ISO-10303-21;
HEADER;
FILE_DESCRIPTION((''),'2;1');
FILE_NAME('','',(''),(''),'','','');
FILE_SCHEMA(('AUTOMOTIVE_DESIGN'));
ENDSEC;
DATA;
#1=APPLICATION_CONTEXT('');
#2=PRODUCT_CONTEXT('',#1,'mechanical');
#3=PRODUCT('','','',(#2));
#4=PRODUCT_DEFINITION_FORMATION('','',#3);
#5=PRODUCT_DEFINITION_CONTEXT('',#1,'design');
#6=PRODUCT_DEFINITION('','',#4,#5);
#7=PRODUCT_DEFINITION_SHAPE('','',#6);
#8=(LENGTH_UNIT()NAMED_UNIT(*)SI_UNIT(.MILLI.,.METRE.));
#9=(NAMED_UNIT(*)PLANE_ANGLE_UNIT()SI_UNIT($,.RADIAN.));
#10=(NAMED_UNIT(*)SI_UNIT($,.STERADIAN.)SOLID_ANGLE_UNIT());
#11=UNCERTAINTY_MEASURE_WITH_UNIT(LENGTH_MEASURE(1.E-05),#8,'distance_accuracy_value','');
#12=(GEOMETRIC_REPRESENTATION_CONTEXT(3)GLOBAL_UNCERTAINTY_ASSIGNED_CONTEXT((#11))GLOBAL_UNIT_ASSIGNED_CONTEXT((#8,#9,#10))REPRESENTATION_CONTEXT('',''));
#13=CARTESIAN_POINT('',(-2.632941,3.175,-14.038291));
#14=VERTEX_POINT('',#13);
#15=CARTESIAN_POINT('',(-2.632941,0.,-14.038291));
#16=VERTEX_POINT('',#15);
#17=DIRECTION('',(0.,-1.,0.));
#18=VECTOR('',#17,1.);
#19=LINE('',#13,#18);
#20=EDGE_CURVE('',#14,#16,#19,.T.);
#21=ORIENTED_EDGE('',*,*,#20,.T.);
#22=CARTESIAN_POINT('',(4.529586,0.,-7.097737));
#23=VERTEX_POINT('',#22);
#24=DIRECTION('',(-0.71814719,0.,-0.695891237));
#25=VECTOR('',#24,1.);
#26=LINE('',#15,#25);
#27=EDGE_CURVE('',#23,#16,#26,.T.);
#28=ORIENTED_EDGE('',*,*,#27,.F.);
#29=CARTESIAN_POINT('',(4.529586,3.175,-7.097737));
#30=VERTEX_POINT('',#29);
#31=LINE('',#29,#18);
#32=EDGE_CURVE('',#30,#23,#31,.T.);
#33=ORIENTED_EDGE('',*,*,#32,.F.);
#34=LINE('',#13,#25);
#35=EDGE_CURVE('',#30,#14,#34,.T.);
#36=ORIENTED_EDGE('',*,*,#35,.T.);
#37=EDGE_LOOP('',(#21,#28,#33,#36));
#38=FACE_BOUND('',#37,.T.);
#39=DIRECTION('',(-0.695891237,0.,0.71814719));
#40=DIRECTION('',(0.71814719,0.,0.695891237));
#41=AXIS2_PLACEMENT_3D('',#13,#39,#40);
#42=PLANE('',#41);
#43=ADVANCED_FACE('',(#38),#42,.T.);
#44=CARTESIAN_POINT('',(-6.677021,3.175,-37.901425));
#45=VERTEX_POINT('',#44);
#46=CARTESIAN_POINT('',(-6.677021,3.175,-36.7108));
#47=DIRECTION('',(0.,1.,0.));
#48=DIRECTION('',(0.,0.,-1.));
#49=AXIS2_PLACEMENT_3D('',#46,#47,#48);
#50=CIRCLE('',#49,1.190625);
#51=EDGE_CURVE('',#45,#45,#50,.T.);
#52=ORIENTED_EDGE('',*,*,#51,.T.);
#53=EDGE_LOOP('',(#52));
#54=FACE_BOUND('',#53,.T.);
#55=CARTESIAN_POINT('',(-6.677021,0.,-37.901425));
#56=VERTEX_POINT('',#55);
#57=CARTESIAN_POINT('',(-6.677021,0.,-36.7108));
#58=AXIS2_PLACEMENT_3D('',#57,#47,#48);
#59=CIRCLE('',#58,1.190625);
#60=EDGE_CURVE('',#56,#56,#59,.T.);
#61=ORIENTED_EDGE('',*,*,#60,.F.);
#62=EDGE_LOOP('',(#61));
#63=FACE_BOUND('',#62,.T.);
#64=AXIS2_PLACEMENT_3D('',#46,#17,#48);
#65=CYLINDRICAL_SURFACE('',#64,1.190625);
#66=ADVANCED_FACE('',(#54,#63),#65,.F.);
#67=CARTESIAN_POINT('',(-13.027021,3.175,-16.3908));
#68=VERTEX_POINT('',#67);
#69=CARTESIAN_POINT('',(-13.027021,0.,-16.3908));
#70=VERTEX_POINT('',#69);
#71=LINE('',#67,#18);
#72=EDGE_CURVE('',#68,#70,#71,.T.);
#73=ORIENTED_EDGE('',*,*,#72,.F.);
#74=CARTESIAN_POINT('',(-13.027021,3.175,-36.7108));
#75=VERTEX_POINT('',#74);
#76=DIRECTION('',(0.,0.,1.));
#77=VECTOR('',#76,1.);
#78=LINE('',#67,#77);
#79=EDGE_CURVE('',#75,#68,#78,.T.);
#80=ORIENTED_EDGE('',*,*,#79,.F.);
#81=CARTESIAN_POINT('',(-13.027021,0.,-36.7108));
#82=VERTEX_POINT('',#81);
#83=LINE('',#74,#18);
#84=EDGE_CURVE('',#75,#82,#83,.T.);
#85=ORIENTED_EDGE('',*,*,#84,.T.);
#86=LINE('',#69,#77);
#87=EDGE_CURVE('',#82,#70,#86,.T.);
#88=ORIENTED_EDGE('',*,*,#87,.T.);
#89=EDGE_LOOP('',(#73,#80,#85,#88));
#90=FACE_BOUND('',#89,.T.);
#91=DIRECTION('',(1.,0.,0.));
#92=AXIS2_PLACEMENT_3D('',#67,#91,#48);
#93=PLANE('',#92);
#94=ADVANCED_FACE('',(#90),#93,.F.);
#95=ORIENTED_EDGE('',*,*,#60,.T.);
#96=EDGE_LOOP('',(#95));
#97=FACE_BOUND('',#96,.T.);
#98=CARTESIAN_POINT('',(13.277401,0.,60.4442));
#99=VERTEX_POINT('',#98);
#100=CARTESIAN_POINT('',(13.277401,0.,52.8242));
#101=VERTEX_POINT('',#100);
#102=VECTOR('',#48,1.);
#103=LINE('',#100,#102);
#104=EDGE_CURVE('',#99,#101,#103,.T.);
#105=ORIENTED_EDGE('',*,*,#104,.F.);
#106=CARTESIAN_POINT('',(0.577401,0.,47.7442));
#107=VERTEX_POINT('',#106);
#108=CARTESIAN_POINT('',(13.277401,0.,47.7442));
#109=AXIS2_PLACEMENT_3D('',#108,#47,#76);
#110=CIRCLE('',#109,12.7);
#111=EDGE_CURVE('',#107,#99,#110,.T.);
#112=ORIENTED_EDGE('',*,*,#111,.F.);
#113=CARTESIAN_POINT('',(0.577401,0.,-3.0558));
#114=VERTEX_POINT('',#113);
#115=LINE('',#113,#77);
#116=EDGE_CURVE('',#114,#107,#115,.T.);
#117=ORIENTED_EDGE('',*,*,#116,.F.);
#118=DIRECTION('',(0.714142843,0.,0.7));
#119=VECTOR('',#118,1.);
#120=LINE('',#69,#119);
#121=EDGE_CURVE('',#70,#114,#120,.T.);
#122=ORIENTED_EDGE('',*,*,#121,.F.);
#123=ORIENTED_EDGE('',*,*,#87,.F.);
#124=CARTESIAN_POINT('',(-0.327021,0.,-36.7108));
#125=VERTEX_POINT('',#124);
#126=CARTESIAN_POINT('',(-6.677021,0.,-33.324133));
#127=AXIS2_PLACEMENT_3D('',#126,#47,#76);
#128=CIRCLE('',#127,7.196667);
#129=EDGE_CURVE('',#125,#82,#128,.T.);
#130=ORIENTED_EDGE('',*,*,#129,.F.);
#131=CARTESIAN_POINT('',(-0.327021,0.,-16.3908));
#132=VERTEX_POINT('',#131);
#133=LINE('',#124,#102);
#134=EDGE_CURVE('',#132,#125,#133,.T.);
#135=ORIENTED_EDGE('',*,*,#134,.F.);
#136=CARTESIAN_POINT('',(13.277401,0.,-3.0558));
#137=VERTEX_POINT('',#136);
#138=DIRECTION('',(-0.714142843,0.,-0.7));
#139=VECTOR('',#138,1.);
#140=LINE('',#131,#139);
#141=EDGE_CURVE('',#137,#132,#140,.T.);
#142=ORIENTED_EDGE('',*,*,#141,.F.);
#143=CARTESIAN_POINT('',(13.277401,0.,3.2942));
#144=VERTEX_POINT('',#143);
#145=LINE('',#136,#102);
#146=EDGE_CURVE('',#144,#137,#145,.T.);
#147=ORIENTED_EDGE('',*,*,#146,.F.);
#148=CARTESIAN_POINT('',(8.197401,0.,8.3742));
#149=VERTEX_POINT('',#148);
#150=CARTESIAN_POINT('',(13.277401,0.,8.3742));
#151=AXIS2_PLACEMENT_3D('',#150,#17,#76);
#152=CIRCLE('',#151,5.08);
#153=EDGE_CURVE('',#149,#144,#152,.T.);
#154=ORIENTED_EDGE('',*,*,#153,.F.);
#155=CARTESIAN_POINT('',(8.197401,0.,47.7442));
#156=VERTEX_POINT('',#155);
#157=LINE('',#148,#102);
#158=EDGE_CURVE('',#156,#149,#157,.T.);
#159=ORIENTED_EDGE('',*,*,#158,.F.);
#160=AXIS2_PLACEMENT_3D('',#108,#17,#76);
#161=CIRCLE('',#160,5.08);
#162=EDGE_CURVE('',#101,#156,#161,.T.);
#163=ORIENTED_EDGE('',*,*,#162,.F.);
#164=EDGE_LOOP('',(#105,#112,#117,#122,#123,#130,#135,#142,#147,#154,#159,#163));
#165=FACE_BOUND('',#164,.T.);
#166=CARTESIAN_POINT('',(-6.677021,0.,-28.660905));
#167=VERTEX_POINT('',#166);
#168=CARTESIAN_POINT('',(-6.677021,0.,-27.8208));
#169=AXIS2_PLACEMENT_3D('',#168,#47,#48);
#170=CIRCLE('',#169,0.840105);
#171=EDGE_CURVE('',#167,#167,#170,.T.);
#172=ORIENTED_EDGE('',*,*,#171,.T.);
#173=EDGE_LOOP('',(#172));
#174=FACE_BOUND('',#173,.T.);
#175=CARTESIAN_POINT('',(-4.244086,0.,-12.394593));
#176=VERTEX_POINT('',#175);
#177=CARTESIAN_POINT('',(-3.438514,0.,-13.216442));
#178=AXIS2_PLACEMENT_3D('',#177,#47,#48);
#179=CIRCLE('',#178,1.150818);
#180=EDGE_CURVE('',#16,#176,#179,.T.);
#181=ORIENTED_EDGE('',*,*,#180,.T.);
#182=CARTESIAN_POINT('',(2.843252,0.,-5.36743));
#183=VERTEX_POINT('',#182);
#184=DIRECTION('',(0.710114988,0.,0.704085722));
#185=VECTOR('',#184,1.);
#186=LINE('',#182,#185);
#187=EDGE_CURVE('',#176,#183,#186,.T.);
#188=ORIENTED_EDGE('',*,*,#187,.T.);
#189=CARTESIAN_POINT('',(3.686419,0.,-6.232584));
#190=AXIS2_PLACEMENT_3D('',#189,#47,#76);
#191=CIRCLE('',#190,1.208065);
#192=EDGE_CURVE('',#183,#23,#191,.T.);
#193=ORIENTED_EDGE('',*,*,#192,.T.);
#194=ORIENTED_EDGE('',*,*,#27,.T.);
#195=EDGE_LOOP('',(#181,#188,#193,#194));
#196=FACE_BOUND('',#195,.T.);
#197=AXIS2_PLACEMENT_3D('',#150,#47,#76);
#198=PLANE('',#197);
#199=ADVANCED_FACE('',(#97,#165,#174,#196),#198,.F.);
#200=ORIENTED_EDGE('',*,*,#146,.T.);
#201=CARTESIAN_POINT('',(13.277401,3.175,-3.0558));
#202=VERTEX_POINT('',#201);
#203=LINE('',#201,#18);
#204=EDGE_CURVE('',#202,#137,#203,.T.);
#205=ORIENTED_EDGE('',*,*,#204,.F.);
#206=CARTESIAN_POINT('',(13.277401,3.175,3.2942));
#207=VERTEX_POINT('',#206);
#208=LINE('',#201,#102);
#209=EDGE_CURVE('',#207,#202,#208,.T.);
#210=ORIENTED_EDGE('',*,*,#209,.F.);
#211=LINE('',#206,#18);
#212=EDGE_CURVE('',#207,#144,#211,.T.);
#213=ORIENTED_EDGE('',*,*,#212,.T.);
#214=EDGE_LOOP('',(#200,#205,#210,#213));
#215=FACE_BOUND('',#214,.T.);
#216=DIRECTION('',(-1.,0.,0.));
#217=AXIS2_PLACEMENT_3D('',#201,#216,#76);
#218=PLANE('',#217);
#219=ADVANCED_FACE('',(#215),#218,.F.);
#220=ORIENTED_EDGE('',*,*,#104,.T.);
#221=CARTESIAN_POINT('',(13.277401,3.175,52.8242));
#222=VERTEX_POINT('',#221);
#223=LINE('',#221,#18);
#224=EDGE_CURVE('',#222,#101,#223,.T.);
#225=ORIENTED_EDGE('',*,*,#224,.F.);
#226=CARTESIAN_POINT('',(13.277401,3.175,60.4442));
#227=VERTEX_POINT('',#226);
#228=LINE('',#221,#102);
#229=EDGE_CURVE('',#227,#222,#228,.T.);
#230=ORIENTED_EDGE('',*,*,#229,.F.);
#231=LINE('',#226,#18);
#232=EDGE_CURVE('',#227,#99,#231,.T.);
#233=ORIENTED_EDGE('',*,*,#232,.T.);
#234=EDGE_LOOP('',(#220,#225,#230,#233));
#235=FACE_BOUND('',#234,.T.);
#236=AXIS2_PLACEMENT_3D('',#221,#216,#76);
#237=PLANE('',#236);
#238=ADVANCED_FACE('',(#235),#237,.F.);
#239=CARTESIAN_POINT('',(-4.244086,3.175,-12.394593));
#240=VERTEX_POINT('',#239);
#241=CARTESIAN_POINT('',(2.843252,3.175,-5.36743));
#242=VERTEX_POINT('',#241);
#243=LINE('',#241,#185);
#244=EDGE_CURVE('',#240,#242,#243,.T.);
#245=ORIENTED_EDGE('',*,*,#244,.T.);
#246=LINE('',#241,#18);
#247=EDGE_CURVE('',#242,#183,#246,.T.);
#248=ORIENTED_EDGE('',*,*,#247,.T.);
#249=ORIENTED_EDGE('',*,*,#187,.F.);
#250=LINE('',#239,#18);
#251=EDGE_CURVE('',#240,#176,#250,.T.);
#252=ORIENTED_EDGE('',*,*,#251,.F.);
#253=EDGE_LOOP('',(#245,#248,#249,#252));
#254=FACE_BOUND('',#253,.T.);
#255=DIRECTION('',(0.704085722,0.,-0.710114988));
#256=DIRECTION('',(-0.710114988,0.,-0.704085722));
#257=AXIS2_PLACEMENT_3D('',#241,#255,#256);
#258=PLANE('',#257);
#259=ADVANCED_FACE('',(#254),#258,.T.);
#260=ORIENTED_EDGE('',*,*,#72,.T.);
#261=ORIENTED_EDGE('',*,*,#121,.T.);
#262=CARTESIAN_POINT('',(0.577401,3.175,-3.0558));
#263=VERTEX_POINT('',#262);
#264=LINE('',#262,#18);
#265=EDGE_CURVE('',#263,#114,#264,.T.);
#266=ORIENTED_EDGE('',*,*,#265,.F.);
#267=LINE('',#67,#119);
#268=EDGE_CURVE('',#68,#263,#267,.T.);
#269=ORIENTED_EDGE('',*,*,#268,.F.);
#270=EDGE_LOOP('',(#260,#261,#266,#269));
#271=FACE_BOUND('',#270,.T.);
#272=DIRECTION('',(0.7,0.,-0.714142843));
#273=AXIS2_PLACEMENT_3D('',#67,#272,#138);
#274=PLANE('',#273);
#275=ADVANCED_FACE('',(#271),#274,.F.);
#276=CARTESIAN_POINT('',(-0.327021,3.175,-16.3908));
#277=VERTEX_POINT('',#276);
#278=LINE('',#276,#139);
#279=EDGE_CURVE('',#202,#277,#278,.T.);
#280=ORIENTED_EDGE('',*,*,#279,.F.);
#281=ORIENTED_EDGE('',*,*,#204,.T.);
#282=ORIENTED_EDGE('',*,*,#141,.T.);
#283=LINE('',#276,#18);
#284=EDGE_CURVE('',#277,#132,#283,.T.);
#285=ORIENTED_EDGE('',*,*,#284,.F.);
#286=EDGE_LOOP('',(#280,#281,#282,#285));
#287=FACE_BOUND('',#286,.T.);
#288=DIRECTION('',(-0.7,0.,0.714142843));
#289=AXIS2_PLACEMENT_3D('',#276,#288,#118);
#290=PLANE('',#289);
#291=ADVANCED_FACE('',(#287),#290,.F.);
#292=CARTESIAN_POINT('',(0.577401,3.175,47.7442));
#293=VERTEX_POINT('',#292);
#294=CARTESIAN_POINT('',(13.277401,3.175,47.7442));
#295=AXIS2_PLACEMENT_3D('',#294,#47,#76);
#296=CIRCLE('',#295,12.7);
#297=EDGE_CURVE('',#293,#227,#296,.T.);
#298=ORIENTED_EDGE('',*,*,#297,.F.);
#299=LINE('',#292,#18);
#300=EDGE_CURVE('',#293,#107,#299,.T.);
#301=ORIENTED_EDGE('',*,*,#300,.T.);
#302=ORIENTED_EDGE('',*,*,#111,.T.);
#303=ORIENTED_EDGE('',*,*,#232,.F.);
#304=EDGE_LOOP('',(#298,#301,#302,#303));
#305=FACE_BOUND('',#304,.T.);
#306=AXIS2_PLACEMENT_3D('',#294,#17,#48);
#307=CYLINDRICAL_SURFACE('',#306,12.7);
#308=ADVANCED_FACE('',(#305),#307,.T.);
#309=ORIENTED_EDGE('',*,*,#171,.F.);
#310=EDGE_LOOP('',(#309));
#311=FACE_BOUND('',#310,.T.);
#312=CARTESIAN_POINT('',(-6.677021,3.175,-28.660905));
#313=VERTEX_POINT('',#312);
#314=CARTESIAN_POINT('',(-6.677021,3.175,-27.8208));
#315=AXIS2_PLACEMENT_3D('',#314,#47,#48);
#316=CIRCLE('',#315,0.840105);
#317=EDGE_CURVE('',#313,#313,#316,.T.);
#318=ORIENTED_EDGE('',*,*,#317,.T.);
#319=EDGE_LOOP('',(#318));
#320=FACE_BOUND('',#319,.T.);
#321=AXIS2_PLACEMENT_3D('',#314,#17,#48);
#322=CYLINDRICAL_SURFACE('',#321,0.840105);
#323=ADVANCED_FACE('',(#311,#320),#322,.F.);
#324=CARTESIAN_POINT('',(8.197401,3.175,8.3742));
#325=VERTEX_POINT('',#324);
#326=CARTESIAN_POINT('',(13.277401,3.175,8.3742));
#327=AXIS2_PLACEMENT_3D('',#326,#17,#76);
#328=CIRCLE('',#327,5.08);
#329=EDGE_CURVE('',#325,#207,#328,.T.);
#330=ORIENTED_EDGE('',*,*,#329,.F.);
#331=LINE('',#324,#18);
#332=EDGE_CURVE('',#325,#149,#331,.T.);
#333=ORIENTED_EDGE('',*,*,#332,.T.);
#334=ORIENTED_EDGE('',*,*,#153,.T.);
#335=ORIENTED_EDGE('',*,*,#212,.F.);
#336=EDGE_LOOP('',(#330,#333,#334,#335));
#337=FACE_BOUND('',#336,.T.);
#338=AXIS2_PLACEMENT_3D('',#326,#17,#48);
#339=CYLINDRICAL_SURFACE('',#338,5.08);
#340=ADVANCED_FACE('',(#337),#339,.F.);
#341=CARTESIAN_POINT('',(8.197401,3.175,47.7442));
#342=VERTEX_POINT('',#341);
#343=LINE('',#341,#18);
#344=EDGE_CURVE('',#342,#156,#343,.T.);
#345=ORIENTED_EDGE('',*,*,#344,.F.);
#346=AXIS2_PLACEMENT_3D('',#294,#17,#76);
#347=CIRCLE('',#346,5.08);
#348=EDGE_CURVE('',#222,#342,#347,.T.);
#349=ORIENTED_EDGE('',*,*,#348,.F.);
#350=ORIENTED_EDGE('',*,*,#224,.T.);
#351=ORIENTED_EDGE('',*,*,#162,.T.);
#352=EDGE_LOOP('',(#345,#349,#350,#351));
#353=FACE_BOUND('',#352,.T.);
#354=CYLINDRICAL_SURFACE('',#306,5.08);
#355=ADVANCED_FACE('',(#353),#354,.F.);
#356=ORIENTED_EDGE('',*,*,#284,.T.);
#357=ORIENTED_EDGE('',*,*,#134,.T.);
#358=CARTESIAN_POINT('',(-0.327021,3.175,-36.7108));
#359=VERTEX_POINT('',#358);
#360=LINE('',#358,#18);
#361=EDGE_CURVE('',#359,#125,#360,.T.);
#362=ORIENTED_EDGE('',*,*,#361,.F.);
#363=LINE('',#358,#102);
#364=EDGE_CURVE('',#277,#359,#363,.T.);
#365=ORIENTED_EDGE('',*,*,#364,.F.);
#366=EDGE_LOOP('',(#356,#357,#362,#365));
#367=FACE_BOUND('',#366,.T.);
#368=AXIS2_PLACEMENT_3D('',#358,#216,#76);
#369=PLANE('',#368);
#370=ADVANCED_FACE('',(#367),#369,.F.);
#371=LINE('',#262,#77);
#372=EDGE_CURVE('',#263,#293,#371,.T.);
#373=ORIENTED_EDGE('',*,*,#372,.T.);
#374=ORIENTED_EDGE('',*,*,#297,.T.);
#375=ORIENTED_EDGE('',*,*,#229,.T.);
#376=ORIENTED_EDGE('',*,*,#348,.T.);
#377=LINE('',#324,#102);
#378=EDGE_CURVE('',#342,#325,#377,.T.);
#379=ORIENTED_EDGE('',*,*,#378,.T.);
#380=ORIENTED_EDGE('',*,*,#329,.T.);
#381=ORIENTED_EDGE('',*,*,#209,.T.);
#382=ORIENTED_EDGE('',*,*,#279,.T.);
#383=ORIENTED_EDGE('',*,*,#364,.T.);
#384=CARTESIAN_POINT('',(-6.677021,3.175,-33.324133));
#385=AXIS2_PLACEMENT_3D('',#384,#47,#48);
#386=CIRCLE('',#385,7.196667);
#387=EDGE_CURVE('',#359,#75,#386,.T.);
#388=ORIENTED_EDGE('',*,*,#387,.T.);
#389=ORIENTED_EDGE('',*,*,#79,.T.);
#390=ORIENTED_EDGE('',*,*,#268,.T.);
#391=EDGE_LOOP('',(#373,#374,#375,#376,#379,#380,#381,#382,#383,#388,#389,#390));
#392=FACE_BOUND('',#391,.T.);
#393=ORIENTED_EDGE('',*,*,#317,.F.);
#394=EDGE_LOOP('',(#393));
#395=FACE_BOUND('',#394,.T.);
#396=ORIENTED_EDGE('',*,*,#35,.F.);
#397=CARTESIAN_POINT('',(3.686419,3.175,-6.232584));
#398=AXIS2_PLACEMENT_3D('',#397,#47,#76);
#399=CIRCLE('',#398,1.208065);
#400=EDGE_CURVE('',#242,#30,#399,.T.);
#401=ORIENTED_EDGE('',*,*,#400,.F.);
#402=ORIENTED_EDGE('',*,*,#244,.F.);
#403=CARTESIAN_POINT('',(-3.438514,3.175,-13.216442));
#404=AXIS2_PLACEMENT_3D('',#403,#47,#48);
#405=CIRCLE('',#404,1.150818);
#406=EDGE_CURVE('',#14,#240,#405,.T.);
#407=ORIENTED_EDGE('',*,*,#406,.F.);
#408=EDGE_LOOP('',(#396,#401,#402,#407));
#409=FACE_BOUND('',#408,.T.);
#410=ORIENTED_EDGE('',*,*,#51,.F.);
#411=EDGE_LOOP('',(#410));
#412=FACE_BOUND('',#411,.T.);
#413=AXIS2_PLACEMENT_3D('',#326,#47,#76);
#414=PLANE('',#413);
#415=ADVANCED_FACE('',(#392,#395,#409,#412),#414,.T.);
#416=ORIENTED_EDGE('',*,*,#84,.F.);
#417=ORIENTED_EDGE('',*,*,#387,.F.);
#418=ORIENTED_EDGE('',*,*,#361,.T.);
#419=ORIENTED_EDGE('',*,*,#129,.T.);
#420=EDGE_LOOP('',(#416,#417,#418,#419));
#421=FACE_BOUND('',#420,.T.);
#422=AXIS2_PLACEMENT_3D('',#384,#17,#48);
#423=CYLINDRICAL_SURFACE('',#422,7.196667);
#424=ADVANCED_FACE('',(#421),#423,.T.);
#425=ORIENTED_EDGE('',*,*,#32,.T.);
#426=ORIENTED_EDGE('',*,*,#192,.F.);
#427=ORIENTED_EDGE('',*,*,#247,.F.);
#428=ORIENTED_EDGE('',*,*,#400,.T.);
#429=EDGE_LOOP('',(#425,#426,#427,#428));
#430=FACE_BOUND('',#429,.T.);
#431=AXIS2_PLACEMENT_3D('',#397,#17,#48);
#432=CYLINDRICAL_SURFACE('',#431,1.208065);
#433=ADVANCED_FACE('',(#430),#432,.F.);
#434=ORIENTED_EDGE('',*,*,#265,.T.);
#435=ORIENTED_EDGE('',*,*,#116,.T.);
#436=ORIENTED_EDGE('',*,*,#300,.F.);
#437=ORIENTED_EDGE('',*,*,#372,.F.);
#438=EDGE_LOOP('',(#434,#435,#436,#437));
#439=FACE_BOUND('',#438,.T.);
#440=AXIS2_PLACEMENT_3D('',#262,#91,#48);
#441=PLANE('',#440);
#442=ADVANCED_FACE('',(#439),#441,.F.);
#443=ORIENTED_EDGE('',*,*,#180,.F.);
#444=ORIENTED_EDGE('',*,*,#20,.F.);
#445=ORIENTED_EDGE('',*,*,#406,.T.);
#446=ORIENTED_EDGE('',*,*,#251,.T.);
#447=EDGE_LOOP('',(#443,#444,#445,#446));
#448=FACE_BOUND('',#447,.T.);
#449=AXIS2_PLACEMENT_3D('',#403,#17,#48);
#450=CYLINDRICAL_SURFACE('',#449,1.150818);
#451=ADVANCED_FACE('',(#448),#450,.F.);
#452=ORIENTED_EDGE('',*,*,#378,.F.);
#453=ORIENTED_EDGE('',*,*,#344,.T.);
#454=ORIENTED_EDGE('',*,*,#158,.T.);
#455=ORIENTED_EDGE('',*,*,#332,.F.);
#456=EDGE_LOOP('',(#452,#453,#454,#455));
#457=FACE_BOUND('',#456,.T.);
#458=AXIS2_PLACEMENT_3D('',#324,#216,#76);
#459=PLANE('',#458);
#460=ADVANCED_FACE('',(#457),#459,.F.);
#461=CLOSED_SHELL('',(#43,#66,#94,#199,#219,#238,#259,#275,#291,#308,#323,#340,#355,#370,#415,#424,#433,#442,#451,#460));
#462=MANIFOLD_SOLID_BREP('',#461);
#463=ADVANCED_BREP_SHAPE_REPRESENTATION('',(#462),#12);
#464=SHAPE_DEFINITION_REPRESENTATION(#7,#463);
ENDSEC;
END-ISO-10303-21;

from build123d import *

# Parameters (mm, degrees)
SKETCH1_R           = 0.840105
SKETCH1_R_2         = 1.190625
BOSS_EXTRUDE1_DEPTH = 3.175


with BuildPart() as part:
    # Sketch1 → Boss-Extrude1 (new body)
    with BuildSketch(Plane(origin=(0, 0, 0), x_dir=(1, 0, 0), z_dir=(0, 1, 0))):
        with BuildLine():
            Line((-13.027020503, 16.390799837), (-13.027020503, 36.710799837))
            ThreePointArc((-13.027020503, 36.710799837), (-10.379674956, 39.495223926), (-6.677020503, 40.520799837))
            ThreePointArc((-6.677020503, 40.520799837), (-2.974366049, 39.495223926), (-0.327020503, 36.710799837))
            Line((-0.327020503, 36.710799837), (-0.327020503, 16.390799837))
            Line((-0.327020503, 16.390799837), (13.277400654, 3.055799837))
            Line((13.277400654, 3.055799837), (13.277400654, -3.294200163))
            ThreePointArc((13.277400654, -3.294200163), (9.685298205, -4.782097715), (8.197400654, -8.374200163))
            Line((8.197400654, -8.374200163), (8.197400654, -47.744200163))
            ThreePointArc((8.197400654, -47.744200163), (9.685298205, -51.336302612), (13.277400654, -52.824200163))
            Line((13.277400654, -52.824200163), (13.277400654, -60.444200163))
            ThreePointArc((13.277400654, -60.444200163), (4.297144533, -56.724456284), (0.577400654, -47.744200163))
            Line((0.577400654, -47.744200163), (0.577400654, 3.055799837))
            Line((0.577400654, 3.055799837), (-13.027020503, 16.390799837))
        make_face()
        with Locations((-6.677020503, 27.820799837)):
            Circle(SKETCH1_R, mode=Mode.SUBTRACT)
        with Locations((-6.677020503, 36.710799837)):
            Circle(SKETCH1_R_2, mode=Mode.SUBTRACT)
        with BuildLine():
            Line((-2.63294069, 14.03829086), (4.529585854, 7.097736719))
            ThreePointArc((4.529585854, 7.097736719), (4.551571997, 5.389416502), (2.843251781, 5.367430359))
            Line((2.843251781, 5.367430359), (-4.24408648, 12.394593219))
            ThreePointArc((-4.24408648, 12.394593219), (-4.260362405, 14.022014935), (-2.63294069, 14.03829086))
        make_face(mode=Mode.SUBTRACT)
    extrude(amount=BOSS_EXTRUDE1_DEPTH)


solid = part.part
